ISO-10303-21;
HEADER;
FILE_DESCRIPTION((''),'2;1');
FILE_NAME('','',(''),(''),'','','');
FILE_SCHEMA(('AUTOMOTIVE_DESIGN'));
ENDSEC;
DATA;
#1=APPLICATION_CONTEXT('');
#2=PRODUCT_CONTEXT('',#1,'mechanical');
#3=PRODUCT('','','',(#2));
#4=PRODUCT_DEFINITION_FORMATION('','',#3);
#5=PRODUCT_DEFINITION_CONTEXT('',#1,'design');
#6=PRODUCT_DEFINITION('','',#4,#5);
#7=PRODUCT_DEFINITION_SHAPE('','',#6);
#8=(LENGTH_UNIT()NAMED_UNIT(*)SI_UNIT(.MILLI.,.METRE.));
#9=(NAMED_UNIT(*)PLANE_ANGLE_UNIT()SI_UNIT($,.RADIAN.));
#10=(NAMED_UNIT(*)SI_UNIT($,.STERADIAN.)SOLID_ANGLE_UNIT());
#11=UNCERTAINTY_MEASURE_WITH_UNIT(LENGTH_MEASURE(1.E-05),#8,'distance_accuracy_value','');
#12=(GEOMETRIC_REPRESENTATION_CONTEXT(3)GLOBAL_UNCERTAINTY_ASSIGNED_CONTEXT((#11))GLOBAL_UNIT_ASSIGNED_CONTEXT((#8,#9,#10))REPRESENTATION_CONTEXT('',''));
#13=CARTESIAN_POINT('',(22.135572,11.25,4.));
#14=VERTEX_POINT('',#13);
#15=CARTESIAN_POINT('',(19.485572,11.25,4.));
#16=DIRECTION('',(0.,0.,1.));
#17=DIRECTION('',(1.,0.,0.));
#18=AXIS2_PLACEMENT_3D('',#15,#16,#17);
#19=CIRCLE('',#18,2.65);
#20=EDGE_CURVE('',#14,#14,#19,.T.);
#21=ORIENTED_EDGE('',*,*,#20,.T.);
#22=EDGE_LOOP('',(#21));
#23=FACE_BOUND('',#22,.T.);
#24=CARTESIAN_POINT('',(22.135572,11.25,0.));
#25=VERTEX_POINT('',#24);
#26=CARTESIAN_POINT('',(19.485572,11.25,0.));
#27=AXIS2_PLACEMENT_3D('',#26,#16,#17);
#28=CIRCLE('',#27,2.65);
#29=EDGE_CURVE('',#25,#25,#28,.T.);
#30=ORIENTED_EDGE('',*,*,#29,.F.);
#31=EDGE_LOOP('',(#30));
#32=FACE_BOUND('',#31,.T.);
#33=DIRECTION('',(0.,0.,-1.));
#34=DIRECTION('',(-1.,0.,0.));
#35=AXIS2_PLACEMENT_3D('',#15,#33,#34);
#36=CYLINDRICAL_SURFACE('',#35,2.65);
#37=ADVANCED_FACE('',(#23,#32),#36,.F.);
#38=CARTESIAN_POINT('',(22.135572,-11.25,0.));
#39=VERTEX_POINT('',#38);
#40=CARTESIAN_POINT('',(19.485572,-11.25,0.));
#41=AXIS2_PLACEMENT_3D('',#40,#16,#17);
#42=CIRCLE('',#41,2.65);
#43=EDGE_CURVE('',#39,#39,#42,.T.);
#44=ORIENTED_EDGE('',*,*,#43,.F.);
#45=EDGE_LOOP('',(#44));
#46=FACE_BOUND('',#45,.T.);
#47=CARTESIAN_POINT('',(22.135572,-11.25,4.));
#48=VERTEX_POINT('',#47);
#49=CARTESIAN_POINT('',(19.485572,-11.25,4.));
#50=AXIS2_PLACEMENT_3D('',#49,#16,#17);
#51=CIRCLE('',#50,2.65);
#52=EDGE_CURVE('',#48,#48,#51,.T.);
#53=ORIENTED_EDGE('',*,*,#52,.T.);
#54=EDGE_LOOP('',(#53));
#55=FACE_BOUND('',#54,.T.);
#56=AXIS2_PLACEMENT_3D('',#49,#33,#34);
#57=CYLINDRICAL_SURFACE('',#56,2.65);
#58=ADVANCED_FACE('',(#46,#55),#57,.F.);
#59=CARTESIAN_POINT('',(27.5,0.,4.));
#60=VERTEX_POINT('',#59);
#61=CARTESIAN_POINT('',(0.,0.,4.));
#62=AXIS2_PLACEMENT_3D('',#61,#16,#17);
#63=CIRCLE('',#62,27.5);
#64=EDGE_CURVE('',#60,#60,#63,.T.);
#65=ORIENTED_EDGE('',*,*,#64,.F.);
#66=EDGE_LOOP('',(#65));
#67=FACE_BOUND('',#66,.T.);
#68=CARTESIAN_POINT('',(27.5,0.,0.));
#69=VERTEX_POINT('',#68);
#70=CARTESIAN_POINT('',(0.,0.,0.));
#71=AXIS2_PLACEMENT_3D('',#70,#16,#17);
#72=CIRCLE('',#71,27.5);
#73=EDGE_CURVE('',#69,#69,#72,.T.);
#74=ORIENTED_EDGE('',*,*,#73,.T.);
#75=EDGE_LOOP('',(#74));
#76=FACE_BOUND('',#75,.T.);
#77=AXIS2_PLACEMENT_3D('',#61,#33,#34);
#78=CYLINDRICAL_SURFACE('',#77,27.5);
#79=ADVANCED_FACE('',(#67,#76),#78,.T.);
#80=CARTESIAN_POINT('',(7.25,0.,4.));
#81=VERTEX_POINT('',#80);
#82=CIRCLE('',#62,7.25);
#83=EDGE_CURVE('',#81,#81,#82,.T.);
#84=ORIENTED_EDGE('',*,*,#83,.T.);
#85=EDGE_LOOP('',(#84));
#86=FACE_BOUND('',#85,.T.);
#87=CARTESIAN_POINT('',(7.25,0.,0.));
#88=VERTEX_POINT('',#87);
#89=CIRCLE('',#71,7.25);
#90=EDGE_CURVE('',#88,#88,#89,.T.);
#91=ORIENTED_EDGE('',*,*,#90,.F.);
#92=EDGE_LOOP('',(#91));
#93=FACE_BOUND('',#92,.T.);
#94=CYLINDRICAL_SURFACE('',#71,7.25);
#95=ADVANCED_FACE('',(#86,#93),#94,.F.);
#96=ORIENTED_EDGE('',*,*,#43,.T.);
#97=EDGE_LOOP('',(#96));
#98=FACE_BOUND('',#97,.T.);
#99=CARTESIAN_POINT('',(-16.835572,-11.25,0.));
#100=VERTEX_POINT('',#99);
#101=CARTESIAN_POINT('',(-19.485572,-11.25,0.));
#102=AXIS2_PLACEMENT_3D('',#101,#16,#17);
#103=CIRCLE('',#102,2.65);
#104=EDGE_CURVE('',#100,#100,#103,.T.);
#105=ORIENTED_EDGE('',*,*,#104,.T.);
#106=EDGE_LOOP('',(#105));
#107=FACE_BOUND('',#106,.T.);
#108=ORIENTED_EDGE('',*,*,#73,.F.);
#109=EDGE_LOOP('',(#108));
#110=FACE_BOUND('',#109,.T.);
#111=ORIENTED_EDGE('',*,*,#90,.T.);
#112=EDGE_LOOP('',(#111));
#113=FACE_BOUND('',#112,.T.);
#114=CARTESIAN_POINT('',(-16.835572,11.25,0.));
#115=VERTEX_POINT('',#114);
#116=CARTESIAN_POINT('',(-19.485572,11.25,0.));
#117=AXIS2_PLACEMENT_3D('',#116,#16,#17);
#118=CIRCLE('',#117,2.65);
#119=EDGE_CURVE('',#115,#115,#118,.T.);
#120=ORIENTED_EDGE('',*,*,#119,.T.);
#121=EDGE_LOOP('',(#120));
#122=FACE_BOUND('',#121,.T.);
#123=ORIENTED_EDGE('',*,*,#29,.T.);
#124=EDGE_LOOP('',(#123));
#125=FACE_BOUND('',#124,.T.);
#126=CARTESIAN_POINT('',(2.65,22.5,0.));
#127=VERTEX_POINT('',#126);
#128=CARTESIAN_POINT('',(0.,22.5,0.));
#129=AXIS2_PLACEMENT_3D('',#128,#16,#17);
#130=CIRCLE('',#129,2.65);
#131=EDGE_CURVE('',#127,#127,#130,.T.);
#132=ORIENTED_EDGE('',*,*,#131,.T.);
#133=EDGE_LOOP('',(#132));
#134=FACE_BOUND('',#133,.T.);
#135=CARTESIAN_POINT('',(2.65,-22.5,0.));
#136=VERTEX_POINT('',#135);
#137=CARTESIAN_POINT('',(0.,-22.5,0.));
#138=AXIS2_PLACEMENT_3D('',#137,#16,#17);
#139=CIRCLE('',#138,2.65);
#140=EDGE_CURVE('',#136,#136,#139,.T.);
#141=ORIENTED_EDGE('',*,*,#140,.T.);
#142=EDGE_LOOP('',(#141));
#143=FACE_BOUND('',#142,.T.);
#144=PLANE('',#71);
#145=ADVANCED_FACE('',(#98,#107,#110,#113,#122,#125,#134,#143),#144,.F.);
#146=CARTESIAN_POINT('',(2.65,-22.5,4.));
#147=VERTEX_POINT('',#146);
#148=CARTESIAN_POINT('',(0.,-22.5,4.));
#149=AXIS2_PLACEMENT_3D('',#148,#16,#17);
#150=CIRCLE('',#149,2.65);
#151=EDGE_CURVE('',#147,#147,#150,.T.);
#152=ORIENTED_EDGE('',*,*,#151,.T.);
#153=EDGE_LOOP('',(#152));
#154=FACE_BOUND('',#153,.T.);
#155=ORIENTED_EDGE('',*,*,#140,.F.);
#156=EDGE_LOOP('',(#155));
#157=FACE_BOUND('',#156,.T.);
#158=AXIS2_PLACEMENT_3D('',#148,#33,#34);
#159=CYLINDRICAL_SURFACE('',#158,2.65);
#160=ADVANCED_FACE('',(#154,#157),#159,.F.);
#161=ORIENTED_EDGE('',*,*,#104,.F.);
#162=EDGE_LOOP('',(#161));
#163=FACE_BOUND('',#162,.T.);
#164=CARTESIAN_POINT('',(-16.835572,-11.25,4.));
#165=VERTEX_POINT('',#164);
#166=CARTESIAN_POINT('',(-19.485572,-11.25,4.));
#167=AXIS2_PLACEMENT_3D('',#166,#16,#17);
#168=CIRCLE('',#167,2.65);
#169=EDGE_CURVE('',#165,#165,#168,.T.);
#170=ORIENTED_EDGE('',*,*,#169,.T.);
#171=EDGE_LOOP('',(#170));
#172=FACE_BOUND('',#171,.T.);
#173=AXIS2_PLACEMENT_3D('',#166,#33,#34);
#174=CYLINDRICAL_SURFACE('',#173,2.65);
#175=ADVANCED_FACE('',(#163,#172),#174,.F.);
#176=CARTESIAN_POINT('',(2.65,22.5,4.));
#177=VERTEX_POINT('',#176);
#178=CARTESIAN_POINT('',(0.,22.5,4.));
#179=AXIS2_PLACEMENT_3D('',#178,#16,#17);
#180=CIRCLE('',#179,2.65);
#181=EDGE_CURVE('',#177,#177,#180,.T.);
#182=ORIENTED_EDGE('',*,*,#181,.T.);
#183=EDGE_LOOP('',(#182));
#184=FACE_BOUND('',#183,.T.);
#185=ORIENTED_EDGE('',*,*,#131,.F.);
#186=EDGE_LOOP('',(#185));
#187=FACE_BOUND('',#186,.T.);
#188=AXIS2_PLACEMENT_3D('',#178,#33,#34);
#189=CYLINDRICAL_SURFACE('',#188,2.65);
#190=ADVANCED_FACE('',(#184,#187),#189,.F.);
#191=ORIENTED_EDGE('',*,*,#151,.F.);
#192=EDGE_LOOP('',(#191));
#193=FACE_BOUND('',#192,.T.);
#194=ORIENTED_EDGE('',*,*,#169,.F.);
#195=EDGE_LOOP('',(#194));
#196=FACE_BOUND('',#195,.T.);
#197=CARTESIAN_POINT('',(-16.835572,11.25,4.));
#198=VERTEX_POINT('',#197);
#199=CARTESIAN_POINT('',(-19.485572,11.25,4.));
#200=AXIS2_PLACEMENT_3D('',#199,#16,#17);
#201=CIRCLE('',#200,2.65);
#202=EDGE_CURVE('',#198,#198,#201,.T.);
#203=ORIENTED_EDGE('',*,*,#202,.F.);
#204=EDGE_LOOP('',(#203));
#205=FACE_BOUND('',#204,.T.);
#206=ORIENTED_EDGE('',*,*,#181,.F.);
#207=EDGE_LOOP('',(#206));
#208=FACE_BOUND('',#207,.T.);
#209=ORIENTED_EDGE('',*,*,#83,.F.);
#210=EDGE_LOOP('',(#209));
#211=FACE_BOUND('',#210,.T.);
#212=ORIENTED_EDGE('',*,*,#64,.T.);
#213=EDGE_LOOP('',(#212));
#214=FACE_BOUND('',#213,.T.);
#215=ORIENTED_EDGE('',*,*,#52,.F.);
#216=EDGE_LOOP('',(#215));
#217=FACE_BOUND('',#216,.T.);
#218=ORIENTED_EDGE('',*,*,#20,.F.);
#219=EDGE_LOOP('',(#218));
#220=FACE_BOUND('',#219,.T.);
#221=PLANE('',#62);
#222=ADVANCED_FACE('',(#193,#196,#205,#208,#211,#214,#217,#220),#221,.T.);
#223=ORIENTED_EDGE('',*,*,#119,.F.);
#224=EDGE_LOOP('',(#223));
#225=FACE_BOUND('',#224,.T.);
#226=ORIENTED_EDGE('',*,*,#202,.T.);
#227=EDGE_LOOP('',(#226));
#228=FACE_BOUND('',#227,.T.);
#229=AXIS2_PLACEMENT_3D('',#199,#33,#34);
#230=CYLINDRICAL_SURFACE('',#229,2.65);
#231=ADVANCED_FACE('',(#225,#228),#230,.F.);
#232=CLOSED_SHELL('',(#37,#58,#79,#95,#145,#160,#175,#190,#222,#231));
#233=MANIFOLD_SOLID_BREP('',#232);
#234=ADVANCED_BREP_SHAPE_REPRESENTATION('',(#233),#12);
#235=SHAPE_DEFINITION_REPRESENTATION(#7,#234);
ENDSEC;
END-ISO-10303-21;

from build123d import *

# Parameters (mm, degrees)
SKETCH1_R           = 27.5
SKETCH1_R_2         = 2.65
BOSS_EXTRUDE1_DEPTH = 4
SKETCH2_R           = 7.25
CUT_EXTRUDE1_DEPTH  = 40.096035605


with BuildPart() as part:
    # Sketch1 → Boss-Extrude1 (new body)
    with BuildSketch(Plane.XY):
        Circle(SKETCH1_R)
        with Locations((0, 22.5)):
            Circle(SKETCH1_R_2, mode=Mode.SUBTRACT)
        with Locations((19.485571585, 11.25)):
            Circle(SKETCH1_R_2, mode=Mode.SUBTRACT)
        with Locations((19.485571585, -11.25)):
            Circle(SKETCH1_R_2, mode=Mode.SUBTRACT)
        with Locations((0, -22.5)):
            Circle(SKETCH1_R_2, mode=Mode.SUBTRACT)
        with Locations((-19.485571585, -11.25)):
            Circle(SKETCH1_R_2, mode=Mode.SUBTRACT)
        with Locations((-19.485571585, 11.25)):
            Circle(SKETCH1_R_2, mode=Mode.SUBTRACT)
    extrude(amount=BOSS_EXTRUDE1_DEPTH)

    # Sketch2 → Cut-Extrude1 (cut, through all)
    with BuildSketch(Plane.XY.offset(4)):
        Circle(SKETCH2_R)
    extrude(amount=-CUT_EXTRUDE1_DEPTH, mode=Mode.SUBTRACT)


solid = part.part
